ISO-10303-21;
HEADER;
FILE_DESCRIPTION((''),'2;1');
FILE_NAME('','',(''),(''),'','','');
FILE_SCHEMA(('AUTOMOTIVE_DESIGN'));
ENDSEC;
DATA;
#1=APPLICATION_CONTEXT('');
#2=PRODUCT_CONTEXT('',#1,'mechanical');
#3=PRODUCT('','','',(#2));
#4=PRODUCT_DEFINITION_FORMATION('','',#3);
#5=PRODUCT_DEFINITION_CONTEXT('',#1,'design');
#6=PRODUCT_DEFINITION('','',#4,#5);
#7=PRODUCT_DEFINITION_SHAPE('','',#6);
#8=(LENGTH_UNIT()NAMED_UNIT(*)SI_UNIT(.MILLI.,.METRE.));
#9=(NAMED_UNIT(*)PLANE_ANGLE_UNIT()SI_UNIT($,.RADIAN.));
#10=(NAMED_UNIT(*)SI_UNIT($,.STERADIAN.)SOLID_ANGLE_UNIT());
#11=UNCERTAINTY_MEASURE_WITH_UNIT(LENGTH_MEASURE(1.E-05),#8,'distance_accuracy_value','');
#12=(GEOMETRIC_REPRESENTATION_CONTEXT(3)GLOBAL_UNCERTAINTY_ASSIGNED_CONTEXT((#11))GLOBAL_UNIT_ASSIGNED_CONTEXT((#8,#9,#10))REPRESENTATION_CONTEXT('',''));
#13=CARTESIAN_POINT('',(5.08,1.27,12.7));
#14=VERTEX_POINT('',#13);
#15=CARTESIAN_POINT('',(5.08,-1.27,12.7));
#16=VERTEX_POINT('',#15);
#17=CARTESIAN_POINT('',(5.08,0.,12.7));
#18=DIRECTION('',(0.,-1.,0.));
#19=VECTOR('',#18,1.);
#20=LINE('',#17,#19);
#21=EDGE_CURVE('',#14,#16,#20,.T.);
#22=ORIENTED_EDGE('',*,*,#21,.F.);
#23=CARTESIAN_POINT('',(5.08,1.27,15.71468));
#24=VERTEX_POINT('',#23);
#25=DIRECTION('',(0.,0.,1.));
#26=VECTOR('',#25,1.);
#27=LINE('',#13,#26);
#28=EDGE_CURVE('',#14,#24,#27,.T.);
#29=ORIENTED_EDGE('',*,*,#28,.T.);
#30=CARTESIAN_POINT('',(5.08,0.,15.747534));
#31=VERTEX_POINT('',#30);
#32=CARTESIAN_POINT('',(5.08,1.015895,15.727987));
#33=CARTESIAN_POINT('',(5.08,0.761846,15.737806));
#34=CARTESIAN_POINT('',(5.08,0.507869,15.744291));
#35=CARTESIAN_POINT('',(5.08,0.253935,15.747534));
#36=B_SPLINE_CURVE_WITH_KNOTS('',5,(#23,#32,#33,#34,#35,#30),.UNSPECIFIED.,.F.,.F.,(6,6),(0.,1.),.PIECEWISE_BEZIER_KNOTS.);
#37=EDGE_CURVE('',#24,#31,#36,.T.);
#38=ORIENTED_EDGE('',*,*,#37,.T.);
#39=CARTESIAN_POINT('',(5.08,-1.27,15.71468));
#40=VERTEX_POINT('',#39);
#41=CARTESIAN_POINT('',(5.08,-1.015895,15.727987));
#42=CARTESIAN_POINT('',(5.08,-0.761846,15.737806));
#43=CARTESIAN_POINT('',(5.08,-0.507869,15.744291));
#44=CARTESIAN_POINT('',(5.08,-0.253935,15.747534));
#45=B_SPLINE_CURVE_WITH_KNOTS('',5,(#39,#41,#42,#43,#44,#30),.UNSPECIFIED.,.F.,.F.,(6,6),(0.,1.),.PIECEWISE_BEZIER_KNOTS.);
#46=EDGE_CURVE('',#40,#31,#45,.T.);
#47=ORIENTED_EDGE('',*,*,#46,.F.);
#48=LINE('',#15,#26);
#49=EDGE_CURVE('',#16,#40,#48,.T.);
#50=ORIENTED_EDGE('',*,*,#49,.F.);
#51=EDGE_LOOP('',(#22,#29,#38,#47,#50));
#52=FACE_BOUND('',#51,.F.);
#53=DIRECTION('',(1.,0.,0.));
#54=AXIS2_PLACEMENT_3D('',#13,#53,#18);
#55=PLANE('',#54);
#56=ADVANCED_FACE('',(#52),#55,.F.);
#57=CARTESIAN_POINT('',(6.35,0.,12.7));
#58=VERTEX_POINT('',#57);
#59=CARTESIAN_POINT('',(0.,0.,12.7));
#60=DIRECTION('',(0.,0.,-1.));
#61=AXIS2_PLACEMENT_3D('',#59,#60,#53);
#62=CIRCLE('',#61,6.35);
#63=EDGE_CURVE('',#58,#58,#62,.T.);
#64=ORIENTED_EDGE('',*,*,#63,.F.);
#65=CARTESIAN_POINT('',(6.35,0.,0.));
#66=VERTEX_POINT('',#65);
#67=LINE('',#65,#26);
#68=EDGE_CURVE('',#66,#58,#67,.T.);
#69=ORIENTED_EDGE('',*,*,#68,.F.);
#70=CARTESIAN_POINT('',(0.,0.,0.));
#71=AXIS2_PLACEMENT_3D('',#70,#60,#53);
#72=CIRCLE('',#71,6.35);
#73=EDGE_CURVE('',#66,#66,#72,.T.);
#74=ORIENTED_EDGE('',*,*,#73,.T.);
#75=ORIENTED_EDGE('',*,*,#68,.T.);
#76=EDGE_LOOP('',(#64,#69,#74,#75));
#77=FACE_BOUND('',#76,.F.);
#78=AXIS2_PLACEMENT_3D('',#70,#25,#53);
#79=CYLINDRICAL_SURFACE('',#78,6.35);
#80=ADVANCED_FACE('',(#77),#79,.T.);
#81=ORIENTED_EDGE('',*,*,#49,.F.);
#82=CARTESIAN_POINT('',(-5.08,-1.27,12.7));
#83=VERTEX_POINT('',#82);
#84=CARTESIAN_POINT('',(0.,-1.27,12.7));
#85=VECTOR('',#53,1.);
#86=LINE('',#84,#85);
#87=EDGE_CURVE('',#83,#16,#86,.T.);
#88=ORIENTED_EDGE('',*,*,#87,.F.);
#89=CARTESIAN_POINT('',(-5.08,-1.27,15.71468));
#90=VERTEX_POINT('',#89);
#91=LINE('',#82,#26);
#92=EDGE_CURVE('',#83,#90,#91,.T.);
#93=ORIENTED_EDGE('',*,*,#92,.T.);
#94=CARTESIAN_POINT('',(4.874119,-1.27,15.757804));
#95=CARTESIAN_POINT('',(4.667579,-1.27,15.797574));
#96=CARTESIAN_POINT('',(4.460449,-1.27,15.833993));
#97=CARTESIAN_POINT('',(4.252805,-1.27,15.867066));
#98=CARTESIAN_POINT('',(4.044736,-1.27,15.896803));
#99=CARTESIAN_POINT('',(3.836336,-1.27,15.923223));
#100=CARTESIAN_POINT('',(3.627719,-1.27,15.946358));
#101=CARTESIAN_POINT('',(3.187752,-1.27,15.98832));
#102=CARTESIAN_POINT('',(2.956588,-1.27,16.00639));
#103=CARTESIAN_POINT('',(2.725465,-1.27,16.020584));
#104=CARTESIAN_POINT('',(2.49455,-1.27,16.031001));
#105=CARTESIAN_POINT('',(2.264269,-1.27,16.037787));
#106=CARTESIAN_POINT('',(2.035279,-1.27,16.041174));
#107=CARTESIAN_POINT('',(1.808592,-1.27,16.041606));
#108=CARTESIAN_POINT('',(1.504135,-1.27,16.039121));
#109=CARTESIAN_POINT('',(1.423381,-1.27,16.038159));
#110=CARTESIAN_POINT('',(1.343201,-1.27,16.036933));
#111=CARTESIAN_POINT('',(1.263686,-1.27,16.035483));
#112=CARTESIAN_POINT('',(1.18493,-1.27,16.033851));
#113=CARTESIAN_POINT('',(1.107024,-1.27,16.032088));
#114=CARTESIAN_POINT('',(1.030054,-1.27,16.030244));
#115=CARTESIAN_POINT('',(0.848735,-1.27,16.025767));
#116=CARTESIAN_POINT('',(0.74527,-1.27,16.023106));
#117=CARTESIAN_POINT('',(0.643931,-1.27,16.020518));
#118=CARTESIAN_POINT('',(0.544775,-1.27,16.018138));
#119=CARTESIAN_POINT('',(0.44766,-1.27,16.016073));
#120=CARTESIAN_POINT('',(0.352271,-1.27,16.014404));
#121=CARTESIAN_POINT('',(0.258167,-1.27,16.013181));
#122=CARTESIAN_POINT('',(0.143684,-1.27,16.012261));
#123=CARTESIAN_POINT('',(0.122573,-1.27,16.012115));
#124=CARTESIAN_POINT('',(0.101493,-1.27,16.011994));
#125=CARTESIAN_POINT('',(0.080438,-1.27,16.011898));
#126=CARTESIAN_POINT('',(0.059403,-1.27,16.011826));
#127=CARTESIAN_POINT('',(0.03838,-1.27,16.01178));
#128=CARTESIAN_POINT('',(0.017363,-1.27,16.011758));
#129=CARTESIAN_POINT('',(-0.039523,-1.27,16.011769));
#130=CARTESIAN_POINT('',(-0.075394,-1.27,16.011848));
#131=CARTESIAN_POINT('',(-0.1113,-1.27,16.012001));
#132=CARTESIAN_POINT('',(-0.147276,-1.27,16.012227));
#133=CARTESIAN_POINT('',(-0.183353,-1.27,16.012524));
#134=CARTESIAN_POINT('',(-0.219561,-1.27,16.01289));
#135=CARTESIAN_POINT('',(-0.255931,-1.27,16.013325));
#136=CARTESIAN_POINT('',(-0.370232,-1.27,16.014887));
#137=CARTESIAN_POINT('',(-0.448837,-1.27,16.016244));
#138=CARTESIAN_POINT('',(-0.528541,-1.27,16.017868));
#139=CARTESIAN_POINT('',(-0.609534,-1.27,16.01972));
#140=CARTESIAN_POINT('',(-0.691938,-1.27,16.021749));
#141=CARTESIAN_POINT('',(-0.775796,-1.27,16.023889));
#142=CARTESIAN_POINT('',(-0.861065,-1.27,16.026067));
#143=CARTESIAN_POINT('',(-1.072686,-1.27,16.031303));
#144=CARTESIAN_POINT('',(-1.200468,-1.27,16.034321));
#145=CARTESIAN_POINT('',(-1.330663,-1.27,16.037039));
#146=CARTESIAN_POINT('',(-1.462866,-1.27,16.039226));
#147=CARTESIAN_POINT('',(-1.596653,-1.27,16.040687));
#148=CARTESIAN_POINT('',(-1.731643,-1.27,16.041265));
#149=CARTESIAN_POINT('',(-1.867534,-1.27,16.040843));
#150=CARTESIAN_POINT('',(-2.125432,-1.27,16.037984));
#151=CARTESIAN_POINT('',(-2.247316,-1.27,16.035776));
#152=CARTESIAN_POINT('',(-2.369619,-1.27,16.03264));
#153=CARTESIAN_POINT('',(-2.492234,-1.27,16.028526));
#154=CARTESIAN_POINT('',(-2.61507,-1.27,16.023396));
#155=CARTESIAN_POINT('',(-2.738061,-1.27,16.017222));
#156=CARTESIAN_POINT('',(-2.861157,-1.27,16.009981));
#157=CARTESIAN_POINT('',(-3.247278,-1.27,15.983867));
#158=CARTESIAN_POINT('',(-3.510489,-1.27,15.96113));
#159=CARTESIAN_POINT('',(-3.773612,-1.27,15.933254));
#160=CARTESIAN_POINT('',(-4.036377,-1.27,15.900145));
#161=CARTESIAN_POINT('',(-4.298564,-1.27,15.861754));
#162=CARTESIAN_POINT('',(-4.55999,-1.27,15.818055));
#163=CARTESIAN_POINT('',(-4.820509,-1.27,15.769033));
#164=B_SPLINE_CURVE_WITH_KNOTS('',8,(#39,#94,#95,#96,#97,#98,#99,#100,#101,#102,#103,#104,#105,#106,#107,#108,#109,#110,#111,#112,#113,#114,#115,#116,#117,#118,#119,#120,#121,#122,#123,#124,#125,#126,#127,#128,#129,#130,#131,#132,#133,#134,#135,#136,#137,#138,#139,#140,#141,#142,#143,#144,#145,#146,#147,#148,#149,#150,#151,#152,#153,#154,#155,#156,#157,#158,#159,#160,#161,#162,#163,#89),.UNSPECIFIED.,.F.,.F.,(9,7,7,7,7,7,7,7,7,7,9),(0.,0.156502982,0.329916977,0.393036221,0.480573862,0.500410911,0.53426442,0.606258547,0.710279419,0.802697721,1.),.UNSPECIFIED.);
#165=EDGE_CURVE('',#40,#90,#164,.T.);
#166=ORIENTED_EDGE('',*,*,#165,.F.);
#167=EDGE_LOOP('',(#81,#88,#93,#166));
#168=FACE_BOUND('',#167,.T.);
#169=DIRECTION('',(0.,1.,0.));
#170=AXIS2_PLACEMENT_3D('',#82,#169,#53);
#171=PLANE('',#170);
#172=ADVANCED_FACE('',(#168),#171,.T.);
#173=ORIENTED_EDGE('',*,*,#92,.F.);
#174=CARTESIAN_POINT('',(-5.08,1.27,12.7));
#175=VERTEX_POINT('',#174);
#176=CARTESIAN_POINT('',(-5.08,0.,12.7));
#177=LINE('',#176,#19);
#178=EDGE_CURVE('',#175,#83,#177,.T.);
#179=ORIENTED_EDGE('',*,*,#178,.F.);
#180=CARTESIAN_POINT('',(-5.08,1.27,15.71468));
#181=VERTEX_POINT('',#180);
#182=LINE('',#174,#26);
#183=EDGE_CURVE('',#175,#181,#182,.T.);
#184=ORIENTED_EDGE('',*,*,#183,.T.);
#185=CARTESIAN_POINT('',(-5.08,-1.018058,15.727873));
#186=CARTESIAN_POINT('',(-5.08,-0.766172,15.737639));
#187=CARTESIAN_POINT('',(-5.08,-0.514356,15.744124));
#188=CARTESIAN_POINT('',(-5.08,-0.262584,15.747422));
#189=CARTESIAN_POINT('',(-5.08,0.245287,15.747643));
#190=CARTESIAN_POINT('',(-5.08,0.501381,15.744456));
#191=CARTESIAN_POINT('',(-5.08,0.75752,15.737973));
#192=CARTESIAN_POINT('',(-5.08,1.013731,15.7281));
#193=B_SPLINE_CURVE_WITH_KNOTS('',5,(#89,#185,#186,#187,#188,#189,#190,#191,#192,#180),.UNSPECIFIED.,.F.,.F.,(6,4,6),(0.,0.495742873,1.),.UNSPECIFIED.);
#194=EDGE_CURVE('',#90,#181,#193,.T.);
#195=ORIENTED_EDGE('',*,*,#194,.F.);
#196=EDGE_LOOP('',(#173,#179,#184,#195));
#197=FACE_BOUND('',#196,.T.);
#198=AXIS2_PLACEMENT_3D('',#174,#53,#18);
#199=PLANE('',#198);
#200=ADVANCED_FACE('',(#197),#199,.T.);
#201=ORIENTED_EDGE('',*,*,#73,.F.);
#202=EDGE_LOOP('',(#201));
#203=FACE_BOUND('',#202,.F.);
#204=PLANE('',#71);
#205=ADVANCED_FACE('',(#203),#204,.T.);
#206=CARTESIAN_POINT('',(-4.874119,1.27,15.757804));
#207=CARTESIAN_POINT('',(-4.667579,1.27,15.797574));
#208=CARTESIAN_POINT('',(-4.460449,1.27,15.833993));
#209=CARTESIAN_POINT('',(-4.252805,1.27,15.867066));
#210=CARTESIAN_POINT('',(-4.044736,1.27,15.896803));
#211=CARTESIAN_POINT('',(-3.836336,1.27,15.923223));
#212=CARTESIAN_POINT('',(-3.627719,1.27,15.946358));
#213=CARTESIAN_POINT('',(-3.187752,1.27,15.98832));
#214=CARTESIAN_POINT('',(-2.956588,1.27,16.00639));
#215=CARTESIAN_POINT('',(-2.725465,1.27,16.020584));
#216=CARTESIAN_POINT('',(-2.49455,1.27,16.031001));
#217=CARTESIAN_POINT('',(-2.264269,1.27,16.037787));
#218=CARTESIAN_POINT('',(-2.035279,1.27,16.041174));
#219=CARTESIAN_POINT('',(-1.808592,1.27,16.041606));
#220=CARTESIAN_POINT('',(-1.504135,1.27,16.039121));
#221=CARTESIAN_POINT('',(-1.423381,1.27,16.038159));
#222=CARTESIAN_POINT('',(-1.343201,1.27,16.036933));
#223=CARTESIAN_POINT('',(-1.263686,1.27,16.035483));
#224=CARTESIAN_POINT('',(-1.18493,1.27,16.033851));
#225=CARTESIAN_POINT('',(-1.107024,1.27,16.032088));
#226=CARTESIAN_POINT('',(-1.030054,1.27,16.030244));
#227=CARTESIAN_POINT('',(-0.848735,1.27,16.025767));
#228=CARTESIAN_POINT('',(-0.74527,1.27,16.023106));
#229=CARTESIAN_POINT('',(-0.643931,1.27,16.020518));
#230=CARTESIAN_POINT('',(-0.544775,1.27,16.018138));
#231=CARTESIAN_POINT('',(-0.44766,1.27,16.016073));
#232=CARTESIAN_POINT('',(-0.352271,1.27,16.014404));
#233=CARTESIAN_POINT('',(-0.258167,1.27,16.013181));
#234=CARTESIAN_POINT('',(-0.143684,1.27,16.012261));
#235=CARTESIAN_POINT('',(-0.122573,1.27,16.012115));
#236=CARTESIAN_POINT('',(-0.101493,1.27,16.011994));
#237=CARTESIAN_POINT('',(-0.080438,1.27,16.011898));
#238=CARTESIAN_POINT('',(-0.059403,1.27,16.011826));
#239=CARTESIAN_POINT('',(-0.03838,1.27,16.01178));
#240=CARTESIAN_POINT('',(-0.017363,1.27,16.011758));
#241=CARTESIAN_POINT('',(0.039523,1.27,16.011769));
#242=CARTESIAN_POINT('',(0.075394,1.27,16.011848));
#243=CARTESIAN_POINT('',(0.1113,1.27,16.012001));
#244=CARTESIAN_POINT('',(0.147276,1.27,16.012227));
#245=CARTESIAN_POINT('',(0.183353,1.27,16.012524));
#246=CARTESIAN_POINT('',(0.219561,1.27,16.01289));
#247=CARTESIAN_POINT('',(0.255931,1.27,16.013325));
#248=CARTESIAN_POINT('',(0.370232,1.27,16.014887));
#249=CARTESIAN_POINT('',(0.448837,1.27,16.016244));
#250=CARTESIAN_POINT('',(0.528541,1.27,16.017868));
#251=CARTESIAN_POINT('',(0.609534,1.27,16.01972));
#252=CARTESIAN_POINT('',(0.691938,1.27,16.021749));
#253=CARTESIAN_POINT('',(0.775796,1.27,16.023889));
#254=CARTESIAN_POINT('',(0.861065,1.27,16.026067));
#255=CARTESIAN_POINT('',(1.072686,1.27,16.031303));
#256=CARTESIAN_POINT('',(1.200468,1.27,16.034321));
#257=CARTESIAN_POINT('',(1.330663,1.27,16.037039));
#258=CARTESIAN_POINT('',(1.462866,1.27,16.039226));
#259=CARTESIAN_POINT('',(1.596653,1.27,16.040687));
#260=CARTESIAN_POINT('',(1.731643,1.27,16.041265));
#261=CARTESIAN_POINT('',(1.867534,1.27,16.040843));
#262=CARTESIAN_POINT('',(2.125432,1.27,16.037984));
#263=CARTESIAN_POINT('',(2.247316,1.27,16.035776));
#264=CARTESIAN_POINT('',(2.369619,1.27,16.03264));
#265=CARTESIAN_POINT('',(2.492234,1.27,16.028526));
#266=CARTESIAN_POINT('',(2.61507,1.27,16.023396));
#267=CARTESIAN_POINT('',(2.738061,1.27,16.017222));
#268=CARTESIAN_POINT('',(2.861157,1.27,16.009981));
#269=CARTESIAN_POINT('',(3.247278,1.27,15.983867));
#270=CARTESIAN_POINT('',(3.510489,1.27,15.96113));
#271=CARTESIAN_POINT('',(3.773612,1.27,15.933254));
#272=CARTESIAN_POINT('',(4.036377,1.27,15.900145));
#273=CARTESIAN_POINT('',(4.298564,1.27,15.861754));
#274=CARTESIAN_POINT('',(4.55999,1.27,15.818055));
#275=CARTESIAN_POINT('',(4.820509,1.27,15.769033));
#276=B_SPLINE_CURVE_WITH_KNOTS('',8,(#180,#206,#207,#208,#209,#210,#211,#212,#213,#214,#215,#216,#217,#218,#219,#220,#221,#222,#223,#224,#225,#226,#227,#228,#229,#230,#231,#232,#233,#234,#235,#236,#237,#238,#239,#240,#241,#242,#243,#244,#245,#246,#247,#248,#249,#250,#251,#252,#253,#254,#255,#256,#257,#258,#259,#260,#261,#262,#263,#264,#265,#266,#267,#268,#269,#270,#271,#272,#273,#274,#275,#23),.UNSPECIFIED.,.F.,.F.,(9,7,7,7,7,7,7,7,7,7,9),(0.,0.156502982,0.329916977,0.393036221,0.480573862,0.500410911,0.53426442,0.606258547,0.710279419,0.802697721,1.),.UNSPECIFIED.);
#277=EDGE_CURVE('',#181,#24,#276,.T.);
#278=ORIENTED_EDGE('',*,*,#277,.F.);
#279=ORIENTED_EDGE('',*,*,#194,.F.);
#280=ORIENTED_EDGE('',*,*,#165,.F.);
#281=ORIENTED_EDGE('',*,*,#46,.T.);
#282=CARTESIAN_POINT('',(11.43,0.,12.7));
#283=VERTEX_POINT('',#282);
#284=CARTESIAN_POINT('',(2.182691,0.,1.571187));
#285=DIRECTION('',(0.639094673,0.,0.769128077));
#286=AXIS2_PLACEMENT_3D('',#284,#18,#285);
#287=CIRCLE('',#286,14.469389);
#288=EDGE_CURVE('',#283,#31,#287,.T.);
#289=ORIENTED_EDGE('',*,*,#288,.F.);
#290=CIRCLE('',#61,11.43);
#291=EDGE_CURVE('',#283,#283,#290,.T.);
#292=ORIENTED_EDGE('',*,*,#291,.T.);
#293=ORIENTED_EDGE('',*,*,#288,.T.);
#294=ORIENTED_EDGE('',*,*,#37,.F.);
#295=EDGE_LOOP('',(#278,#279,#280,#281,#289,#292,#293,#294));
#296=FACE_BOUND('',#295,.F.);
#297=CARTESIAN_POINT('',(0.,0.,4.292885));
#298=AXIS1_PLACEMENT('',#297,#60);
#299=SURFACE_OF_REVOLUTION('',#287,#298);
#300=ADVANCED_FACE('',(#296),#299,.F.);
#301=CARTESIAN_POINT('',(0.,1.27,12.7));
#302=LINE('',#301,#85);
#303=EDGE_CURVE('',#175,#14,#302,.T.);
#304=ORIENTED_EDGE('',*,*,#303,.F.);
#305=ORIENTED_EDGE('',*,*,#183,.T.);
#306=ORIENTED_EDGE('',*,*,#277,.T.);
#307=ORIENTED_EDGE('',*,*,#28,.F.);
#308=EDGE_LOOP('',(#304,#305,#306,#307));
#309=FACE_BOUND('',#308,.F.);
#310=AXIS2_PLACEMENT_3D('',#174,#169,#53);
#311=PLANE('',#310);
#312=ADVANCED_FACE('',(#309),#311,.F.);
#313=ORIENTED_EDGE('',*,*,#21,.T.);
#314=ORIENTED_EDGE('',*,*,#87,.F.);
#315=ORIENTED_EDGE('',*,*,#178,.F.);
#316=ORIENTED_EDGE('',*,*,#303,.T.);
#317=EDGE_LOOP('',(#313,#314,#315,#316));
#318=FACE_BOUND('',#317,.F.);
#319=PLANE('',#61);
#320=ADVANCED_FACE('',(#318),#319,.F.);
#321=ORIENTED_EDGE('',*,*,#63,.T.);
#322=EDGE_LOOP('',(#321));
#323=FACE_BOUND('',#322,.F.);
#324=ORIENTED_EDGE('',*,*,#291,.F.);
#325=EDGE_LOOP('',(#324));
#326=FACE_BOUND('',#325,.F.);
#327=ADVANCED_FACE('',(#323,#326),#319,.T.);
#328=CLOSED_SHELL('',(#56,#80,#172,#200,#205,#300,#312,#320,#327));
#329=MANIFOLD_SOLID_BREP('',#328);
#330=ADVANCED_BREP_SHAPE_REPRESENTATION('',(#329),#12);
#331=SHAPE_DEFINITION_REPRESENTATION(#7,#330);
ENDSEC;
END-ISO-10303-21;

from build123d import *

# Parameters (mm, degrees)
F2_W     = 10.16
F2_H     = 2.54
F3_DEPTH = 25.4


with BuildPart() as f1:
    # F0 (on Front) → F1 (revolve)
    with BuildSketch(Plane.XZ):
        with BuildLine():
            Line((0, 15.875), (0, 0))
            Line((0, 0), (6.35, 0))
            Line((6.35, 0), (6.35, 12.7))
            Line((6.35, 12.7), (11.43, 12.7))
            ThreePointArc((11.43, 12.7), (6.055334, 15.512702), (0, 15.875))
        make_face()
    revolve(axis=Axis((0, 0, 4.292885), (0, 0, -1)))

    # F2 (on face) → F3 (cut)
    with BuildSketch(Plane(origin=(0, 0, 12.7), x_dir=(1, 0, 0), z_dir=(0, 0, -1))):
        Rectangle(F2_W, F2_H)
    extrude(amount=-F3_DEPTH, mode=Mode.SUBTRACT)


solid = f1.part
